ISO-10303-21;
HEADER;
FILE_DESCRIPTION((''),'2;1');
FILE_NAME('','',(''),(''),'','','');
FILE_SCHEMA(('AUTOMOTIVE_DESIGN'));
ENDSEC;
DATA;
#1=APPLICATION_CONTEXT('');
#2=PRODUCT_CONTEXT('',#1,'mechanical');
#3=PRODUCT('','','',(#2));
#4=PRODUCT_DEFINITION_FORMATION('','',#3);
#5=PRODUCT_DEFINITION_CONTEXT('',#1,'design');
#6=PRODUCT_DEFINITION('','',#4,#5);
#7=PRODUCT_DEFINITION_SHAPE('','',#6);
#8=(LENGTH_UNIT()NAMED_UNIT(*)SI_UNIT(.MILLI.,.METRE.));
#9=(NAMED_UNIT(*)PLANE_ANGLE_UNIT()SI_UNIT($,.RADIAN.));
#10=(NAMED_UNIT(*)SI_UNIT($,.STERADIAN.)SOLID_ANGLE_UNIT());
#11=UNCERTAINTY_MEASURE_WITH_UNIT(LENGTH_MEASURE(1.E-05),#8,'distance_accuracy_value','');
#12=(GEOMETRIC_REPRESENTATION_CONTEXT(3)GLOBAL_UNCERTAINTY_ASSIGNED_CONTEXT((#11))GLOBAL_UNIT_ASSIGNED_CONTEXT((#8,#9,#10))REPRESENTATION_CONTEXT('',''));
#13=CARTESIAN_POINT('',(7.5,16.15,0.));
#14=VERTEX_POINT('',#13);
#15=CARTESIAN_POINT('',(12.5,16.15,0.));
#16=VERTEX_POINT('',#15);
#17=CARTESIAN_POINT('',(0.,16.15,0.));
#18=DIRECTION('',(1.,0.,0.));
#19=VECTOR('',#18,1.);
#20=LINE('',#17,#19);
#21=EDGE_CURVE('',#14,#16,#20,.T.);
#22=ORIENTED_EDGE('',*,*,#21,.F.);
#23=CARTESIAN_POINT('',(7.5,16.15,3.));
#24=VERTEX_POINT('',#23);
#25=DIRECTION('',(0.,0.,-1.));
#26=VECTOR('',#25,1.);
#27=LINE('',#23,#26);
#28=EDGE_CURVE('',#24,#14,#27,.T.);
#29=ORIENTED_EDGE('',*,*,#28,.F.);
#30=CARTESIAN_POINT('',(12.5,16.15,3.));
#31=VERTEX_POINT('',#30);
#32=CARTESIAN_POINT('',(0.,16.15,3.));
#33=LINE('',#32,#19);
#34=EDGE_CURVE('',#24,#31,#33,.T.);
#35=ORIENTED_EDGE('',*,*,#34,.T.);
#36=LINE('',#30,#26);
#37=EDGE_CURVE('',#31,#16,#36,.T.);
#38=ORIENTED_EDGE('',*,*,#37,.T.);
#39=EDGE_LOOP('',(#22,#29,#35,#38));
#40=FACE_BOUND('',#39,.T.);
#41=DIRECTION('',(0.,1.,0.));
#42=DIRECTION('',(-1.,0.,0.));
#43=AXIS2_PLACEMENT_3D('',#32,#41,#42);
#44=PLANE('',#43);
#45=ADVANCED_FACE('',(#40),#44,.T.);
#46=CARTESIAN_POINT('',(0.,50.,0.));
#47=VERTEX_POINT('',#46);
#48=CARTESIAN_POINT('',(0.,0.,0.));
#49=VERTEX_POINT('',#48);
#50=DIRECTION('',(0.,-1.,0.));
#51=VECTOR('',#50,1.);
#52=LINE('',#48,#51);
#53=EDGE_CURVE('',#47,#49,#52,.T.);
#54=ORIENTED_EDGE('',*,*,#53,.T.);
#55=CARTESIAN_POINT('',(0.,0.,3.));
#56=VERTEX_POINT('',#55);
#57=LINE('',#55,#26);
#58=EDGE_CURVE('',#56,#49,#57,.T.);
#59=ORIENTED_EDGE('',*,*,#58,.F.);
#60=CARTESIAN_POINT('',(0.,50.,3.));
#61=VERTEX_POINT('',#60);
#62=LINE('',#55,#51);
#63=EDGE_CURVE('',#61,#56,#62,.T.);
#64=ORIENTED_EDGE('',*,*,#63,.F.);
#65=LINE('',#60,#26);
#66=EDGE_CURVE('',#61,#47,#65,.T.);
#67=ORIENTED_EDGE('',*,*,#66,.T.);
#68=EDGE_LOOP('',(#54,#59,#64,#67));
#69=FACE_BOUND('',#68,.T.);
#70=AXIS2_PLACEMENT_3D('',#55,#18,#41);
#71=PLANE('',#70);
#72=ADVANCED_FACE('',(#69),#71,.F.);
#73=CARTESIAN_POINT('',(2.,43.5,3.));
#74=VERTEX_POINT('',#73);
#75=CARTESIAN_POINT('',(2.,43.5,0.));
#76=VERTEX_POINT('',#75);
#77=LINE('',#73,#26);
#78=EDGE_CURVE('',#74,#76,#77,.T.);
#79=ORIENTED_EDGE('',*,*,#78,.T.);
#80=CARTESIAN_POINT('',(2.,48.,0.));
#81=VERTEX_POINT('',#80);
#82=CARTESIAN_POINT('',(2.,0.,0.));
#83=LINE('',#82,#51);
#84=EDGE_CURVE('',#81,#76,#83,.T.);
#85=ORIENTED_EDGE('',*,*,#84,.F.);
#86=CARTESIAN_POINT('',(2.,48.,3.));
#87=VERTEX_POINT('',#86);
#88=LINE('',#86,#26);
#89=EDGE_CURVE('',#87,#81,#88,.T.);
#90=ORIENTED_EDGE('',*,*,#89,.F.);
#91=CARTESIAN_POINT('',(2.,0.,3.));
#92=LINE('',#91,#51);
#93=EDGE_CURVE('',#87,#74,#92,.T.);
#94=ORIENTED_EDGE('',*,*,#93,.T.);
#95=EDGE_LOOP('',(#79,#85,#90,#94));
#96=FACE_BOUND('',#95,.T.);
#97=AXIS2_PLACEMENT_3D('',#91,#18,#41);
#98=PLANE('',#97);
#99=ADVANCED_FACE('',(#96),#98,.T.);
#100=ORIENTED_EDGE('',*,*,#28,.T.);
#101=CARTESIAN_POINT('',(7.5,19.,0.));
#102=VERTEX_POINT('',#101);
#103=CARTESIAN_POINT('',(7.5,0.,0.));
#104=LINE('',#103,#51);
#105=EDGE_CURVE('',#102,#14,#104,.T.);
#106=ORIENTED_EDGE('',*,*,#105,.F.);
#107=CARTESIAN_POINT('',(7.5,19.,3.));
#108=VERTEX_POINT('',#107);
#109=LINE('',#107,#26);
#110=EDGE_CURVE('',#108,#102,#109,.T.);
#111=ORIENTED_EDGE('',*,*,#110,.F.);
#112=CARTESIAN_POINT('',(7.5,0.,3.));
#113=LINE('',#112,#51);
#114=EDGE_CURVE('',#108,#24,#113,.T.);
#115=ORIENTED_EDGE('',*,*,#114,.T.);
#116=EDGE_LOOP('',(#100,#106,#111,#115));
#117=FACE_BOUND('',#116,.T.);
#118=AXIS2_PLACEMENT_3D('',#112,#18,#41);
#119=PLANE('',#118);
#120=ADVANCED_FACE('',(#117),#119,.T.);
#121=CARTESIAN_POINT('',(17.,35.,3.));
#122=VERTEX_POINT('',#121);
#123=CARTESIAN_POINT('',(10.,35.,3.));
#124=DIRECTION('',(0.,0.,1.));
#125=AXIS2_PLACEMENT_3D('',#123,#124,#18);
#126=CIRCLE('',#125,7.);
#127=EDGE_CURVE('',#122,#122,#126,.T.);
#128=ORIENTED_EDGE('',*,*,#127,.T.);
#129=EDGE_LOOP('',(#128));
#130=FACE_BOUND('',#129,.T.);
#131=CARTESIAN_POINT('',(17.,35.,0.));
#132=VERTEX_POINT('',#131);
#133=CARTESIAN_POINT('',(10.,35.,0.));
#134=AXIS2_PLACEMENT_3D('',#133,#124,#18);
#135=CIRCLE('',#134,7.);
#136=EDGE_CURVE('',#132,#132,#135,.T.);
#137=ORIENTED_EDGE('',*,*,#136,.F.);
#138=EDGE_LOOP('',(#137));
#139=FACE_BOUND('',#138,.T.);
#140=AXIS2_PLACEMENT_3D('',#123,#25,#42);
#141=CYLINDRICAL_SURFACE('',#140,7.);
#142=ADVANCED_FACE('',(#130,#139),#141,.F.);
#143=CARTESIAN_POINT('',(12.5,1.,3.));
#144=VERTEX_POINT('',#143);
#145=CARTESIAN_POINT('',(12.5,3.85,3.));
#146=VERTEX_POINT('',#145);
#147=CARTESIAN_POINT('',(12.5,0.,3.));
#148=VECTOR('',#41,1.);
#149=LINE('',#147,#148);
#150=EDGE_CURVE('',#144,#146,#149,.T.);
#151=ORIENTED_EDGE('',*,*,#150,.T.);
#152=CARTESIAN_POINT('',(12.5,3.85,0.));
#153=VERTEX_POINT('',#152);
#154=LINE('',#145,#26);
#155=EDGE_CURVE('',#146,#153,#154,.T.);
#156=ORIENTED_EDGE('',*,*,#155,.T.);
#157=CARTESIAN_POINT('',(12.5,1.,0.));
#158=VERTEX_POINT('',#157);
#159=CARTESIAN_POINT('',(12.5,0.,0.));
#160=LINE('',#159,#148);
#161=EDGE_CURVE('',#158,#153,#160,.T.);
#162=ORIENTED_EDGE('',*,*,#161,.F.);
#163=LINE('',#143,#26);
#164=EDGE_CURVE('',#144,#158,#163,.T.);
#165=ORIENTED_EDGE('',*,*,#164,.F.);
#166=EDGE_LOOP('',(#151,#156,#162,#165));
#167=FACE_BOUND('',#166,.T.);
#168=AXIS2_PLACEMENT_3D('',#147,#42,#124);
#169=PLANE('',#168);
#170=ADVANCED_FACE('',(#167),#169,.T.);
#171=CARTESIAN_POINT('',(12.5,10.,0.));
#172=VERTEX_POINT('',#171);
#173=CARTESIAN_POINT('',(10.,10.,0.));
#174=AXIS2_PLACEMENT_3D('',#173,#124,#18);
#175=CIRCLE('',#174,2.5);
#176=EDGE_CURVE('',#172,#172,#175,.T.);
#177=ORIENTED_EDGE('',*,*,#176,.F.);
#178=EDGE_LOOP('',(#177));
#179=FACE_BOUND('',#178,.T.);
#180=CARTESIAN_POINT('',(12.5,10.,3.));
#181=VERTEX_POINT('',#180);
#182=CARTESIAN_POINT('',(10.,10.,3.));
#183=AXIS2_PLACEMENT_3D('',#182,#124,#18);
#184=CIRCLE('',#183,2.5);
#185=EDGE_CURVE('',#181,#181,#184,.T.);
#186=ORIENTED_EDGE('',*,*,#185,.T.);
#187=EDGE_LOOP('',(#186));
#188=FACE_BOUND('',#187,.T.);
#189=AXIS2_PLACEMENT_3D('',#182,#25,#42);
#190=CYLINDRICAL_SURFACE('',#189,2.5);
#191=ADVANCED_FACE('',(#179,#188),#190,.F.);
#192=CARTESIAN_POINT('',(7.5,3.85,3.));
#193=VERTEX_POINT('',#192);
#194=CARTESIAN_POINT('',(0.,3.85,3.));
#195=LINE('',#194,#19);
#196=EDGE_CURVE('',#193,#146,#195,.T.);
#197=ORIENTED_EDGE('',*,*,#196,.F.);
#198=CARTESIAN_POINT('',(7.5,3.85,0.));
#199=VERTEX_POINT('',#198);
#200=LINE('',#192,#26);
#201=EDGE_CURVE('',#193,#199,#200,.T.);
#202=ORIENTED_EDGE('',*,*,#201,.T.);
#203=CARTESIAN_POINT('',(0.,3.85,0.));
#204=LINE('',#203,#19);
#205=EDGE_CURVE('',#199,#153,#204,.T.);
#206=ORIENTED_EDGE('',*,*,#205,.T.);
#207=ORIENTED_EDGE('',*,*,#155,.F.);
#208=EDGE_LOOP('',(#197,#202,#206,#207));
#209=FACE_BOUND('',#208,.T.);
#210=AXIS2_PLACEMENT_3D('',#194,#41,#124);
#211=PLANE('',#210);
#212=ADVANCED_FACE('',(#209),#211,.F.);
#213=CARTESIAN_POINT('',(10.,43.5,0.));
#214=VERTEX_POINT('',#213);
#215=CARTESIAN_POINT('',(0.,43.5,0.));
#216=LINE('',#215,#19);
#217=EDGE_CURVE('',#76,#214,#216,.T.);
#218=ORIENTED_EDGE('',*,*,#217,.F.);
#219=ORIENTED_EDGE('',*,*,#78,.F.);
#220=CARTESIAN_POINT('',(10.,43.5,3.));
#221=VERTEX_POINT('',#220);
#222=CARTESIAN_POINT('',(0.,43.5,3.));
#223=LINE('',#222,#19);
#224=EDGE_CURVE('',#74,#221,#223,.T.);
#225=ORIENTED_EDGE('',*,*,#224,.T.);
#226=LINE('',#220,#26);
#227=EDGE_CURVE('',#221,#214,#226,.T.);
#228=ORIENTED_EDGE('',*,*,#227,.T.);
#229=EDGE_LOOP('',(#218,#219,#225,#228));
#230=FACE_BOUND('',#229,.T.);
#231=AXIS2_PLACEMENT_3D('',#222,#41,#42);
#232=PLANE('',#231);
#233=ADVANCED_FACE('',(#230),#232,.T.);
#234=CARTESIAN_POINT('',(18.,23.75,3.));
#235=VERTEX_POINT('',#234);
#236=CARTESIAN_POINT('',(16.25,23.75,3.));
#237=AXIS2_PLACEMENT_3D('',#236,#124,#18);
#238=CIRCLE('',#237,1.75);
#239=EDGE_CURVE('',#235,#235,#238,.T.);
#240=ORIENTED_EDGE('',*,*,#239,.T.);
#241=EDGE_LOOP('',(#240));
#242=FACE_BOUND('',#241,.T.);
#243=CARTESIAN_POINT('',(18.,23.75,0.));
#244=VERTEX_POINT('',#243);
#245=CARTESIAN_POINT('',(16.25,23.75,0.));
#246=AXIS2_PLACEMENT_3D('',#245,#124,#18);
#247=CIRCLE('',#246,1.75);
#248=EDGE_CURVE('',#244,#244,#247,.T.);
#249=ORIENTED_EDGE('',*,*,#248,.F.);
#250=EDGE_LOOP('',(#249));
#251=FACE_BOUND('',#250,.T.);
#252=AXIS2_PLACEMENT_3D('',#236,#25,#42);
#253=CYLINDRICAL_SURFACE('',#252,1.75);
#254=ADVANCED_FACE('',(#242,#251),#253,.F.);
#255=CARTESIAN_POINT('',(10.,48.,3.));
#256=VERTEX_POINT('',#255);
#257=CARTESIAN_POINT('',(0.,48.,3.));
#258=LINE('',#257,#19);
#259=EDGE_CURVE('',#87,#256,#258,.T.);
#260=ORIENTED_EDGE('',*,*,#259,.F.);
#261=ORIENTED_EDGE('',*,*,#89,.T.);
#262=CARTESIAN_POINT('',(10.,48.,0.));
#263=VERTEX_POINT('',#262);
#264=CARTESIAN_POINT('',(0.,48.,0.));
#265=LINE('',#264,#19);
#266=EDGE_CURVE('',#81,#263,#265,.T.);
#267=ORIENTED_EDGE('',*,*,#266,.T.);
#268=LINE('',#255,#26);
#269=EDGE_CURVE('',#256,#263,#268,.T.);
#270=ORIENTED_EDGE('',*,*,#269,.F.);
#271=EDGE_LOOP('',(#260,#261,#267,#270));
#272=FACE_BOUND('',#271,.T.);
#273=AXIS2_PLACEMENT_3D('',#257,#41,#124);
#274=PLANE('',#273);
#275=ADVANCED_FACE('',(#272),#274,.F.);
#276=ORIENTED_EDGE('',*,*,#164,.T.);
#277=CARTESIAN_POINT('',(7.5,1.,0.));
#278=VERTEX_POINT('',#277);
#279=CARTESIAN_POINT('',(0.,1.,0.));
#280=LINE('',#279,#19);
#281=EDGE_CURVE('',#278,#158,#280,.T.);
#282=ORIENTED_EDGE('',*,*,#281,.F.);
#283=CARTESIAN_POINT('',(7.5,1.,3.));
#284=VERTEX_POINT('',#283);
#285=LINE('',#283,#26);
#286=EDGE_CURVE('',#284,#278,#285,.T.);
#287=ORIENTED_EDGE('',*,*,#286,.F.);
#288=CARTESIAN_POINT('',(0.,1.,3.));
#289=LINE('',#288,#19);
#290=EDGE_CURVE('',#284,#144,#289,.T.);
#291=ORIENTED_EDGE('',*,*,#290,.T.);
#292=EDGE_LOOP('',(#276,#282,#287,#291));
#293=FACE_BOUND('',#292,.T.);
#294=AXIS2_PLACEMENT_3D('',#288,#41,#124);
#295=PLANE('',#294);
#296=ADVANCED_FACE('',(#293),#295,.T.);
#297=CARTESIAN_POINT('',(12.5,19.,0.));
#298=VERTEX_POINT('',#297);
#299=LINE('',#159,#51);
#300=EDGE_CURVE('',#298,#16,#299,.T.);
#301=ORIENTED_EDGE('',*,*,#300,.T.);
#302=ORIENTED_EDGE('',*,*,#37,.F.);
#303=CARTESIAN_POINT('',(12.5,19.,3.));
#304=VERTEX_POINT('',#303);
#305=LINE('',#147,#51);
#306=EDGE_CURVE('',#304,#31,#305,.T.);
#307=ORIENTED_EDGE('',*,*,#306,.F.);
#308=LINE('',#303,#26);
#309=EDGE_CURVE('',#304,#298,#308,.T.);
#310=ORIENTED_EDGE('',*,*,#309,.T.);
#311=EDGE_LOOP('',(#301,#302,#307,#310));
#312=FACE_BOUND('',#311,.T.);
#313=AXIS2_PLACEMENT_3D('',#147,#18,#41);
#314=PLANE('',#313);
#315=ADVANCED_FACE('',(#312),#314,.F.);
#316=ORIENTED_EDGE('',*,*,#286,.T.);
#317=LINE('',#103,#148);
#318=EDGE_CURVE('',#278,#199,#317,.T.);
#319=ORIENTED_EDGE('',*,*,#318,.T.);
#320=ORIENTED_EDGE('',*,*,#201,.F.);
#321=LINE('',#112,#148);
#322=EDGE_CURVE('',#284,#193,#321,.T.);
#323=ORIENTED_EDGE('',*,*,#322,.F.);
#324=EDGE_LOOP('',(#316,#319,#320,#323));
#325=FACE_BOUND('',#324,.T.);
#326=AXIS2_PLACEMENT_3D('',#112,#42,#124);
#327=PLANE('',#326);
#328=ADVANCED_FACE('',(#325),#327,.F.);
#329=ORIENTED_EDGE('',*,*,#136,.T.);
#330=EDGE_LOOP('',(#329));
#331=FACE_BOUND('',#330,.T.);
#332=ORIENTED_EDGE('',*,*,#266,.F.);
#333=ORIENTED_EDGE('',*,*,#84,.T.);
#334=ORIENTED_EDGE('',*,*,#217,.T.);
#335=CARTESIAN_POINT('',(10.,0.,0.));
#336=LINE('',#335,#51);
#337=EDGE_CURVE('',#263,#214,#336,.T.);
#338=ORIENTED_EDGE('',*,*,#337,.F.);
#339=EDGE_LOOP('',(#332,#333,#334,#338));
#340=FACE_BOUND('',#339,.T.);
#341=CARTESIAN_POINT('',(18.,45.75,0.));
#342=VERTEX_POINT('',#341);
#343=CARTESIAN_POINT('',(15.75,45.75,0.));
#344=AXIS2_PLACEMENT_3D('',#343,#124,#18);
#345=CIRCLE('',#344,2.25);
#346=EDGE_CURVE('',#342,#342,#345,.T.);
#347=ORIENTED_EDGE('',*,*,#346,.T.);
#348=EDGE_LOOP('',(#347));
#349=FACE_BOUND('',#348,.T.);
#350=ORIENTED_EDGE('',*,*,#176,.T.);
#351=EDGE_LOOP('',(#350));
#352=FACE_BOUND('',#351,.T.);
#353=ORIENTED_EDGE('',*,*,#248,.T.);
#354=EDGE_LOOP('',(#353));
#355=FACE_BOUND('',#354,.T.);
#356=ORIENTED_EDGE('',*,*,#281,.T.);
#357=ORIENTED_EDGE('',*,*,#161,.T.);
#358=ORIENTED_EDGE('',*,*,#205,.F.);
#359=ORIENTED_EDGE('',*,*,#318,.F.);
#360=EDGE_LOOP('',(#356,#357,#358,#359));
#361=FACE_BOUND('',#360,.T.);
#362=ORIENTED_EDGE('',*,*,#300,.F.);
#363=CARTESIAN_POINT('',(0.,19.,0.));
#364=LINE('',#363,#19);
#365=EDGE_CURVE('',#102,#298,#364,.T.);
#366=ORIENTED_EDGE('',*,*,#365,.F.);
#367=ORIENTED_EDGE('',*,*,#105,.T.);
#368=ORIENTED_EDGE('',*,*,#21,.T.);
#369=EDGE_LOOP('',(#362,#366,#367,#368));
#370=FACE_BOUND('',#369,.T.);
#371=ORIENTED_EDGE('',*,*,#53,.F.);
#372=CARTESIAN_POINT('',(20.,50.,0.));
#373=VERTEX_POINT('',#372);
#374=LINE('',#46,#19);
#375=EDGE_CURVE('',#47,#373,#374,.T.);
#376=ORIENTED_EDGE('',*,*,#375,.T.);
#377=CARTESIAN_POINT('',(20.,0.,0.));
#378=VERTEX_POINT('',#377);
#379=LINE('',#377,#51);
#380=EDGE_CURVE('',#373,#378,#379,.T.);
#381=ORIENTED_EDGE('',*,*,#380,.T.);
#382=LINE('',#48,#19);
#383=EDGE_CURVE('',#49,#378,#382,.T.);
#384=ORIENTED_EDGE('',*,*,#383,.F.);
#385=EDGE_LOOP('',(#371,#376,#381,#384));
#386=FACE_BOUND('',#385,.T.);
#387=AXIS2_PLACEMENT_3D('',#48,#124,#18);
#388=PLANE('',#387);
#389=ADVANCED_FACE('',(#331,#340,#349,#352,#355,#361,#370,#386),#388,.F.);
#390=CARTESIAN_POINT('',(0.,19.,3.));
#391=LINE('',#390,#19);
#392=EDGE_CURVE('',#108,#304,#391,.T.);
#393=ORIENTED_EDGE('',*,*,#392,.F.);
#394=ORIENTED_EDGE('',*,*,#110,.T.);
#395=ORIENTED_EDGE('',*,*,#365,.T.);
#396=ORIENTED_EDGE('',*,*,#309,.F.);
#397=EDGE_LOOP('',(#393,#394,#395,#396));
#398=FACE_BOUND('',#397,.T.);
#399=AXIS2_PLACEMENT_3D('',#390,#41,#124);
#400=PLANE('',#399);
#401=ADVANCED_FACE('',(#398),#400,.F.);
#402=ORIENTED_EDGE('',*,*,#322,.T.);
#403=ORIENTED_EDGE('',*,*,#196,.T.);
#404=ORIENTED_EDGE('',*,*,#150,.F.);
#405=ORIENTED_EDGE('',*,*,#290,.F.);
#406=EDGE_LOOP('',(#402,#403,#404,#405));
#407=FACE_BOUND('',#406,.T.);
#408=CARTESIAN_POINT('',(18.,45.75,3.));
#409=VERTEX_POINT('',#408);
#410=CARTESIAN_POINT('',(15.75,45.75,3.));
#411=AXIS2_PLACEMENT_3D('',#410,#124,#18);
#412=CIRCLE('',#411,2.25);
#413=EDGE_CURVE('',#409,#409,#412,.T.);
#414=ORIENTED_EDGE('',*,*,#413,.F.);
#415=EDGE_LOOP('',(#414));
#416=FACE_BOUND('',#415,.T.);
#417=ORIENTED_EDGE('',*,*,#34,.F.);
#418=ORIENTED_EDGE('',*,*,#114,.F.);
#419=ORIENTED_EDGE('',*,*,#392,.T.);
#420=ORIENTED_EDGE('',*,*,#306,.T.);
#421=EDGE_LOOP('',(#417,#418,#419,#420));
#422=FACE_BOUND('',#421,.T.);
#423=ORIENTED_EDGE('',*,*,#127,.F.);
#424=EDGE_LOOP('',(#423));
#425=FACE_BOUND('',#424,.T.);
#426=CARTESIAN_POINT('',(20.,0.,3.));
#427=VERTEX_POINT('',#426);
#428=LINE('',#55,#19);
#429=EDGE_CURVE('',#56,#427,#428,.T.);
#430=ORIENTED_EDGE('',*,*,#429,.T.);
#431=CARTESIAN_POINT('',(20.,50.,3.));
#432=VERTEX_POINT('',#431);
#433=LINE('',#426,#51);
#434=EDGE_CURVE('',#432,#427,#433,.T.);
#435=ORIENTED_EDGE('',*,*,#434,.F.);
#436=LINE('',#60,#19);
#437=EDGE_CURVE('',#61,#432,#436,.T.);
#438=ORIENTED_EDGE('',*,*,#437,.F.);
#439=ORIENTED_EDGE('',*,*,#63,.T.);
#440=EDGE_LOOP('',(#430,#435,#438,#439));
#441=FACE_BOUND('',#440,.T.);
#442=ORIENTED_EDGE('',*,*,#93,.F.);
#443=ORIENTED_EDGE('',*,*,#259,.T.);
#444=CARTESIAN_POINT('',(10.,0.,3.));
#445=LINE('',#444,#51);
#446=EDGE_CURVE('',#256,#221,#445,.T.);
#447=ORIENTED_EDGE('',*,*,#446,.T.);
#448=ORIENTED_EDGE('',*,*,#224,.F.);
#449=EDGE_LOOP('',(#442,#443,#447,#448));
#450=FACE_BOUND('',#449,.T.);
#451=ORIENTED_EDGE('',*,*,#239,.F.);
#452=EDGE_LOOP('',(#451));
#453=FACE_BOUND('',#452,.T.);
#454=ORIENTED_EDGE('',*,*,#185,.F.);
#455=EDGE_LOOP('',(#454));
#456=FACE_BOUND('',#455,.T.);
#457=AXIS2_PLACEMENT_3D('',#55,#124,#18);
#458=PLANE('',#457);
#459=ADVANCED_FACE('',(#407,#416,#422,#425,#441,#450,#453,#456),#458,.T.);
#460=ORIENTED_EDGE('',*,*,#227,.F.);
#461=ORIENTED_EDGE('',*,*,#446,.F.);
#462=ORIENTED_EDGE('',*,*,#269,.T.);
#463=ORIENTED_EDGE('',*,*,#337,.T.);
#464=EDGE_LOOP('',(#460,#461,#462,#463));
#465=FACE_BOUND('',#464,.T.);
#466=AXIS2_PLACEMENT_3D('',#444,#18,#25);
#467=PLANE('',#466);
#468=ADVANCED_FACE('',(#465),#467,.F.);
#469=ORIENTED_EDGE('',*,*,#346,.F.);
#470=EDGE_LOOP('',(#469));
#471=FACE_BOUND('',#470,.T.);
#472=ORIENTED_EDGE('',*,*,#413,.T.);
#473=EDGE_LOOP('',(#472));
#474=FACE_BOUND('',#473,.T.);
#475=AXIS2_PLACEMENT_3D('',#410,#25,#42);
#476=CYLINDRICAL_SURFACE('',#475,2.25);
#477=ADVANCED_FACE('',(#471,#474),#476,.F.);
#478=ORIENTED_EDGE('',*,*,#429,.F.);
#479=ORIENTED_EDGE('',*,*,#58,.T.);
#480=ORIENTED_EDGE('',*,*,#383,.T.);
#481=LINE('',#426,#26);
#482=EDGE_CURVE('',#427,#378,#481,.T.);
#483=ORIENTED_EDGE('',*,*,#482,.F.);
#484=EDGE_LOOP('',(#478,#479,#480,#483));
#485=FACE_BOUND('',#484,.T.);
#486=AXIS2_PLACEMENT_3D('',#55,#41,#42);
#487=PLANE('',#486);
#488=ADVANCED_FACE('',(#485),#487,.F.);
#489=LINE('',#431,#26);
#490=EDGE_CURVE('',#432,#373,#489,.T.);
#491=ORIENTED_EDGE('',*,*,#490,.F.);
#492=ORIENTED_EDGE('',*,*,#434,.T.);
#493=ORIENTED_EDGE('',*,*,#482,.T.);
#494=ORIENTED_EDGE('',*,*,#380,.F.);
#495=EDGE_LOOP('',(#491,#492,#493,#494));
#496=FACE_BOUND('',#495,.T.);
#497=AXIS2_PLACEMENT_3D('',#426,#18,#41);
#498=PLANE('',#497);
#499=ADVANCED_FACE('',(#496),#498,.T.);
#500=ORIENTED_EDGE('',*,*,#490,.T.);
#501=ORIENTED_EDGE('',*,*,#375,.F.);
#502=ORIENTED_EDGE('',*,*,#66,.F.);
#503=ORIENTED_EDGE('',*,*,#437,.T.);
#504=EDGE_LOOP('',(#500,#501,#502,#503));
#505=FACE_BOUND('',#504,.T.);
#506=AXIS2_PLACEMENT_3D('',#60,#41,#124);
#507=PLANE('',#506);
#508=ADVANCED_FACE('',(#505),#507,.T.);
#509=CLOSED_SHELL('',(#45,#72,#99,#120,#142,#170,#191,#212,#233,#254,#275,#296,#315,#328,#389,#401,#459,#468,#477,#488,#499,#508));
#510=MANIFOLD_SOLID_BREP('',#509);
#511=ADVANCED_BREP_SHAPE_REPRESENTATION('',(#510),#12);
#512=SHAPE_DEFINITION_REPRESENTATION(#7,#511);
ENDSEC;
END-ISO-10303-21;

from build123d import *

# Parameters (mm, degrees)
SKETCH1_W           = 20
SKETCH1_H           = 50
SKETCH1_R           = 1.75
SKETCH1_R_2         = 2.25
SKETCH1_R_3         = 2.5
SKETCH1_R_4         = 7
SKETCH1_W_2         = 8
SKETCH1_H_2         = 4.5
SKETCH1_W_3         = 5
SKETCH1_H_3         = 2.85
BOSS_EXTRUDE1_DEPTH = 3


with BuildPart() as part:
    # Sketch1 → Boss-Extrude1 (new body)
    with BuildSketch(Plane.XY):
        with Locations((10, 25)):
            Rectangle(SKETCH1_W, SKETCH1_H)
        with Locations((16.25, 23.75)):
            Circle(SKETCH1_R, mode=Mode.SUBTRACT)
        with Locations((15.75, 45.75)):
            Circle(SKETCH1_R_2, mode=Mode.SUBTRACT)
        with Locations((10, 10)):
            Circle(SKETCH1_R_3, mode=Mode.SUBTRACT)
        with Locations((10, 35)):
            Circle(SKETCH1_R_4, mode=Mode.SUBTRACT)
        with Locations((6, 45.75)):
            Rectangle(SKETCH1_W_2, SKETCH1_H_2, mode=Mode.SUBTRACT)
        with Locations((10, 2.425)):
            Rectangle(SKETCH1_W_3, SKETCH1_H_3, mode=Mode.SUBTRACT)
        with Locations((10, 17.575)):
            Rectangle(SKETCH1_W_3, SKETCH1_H_3, mode=Mode.SUBTRACT)
    extrude(amount=BOSS_EXTRUDE1_DEPTH)


solid = part.part
